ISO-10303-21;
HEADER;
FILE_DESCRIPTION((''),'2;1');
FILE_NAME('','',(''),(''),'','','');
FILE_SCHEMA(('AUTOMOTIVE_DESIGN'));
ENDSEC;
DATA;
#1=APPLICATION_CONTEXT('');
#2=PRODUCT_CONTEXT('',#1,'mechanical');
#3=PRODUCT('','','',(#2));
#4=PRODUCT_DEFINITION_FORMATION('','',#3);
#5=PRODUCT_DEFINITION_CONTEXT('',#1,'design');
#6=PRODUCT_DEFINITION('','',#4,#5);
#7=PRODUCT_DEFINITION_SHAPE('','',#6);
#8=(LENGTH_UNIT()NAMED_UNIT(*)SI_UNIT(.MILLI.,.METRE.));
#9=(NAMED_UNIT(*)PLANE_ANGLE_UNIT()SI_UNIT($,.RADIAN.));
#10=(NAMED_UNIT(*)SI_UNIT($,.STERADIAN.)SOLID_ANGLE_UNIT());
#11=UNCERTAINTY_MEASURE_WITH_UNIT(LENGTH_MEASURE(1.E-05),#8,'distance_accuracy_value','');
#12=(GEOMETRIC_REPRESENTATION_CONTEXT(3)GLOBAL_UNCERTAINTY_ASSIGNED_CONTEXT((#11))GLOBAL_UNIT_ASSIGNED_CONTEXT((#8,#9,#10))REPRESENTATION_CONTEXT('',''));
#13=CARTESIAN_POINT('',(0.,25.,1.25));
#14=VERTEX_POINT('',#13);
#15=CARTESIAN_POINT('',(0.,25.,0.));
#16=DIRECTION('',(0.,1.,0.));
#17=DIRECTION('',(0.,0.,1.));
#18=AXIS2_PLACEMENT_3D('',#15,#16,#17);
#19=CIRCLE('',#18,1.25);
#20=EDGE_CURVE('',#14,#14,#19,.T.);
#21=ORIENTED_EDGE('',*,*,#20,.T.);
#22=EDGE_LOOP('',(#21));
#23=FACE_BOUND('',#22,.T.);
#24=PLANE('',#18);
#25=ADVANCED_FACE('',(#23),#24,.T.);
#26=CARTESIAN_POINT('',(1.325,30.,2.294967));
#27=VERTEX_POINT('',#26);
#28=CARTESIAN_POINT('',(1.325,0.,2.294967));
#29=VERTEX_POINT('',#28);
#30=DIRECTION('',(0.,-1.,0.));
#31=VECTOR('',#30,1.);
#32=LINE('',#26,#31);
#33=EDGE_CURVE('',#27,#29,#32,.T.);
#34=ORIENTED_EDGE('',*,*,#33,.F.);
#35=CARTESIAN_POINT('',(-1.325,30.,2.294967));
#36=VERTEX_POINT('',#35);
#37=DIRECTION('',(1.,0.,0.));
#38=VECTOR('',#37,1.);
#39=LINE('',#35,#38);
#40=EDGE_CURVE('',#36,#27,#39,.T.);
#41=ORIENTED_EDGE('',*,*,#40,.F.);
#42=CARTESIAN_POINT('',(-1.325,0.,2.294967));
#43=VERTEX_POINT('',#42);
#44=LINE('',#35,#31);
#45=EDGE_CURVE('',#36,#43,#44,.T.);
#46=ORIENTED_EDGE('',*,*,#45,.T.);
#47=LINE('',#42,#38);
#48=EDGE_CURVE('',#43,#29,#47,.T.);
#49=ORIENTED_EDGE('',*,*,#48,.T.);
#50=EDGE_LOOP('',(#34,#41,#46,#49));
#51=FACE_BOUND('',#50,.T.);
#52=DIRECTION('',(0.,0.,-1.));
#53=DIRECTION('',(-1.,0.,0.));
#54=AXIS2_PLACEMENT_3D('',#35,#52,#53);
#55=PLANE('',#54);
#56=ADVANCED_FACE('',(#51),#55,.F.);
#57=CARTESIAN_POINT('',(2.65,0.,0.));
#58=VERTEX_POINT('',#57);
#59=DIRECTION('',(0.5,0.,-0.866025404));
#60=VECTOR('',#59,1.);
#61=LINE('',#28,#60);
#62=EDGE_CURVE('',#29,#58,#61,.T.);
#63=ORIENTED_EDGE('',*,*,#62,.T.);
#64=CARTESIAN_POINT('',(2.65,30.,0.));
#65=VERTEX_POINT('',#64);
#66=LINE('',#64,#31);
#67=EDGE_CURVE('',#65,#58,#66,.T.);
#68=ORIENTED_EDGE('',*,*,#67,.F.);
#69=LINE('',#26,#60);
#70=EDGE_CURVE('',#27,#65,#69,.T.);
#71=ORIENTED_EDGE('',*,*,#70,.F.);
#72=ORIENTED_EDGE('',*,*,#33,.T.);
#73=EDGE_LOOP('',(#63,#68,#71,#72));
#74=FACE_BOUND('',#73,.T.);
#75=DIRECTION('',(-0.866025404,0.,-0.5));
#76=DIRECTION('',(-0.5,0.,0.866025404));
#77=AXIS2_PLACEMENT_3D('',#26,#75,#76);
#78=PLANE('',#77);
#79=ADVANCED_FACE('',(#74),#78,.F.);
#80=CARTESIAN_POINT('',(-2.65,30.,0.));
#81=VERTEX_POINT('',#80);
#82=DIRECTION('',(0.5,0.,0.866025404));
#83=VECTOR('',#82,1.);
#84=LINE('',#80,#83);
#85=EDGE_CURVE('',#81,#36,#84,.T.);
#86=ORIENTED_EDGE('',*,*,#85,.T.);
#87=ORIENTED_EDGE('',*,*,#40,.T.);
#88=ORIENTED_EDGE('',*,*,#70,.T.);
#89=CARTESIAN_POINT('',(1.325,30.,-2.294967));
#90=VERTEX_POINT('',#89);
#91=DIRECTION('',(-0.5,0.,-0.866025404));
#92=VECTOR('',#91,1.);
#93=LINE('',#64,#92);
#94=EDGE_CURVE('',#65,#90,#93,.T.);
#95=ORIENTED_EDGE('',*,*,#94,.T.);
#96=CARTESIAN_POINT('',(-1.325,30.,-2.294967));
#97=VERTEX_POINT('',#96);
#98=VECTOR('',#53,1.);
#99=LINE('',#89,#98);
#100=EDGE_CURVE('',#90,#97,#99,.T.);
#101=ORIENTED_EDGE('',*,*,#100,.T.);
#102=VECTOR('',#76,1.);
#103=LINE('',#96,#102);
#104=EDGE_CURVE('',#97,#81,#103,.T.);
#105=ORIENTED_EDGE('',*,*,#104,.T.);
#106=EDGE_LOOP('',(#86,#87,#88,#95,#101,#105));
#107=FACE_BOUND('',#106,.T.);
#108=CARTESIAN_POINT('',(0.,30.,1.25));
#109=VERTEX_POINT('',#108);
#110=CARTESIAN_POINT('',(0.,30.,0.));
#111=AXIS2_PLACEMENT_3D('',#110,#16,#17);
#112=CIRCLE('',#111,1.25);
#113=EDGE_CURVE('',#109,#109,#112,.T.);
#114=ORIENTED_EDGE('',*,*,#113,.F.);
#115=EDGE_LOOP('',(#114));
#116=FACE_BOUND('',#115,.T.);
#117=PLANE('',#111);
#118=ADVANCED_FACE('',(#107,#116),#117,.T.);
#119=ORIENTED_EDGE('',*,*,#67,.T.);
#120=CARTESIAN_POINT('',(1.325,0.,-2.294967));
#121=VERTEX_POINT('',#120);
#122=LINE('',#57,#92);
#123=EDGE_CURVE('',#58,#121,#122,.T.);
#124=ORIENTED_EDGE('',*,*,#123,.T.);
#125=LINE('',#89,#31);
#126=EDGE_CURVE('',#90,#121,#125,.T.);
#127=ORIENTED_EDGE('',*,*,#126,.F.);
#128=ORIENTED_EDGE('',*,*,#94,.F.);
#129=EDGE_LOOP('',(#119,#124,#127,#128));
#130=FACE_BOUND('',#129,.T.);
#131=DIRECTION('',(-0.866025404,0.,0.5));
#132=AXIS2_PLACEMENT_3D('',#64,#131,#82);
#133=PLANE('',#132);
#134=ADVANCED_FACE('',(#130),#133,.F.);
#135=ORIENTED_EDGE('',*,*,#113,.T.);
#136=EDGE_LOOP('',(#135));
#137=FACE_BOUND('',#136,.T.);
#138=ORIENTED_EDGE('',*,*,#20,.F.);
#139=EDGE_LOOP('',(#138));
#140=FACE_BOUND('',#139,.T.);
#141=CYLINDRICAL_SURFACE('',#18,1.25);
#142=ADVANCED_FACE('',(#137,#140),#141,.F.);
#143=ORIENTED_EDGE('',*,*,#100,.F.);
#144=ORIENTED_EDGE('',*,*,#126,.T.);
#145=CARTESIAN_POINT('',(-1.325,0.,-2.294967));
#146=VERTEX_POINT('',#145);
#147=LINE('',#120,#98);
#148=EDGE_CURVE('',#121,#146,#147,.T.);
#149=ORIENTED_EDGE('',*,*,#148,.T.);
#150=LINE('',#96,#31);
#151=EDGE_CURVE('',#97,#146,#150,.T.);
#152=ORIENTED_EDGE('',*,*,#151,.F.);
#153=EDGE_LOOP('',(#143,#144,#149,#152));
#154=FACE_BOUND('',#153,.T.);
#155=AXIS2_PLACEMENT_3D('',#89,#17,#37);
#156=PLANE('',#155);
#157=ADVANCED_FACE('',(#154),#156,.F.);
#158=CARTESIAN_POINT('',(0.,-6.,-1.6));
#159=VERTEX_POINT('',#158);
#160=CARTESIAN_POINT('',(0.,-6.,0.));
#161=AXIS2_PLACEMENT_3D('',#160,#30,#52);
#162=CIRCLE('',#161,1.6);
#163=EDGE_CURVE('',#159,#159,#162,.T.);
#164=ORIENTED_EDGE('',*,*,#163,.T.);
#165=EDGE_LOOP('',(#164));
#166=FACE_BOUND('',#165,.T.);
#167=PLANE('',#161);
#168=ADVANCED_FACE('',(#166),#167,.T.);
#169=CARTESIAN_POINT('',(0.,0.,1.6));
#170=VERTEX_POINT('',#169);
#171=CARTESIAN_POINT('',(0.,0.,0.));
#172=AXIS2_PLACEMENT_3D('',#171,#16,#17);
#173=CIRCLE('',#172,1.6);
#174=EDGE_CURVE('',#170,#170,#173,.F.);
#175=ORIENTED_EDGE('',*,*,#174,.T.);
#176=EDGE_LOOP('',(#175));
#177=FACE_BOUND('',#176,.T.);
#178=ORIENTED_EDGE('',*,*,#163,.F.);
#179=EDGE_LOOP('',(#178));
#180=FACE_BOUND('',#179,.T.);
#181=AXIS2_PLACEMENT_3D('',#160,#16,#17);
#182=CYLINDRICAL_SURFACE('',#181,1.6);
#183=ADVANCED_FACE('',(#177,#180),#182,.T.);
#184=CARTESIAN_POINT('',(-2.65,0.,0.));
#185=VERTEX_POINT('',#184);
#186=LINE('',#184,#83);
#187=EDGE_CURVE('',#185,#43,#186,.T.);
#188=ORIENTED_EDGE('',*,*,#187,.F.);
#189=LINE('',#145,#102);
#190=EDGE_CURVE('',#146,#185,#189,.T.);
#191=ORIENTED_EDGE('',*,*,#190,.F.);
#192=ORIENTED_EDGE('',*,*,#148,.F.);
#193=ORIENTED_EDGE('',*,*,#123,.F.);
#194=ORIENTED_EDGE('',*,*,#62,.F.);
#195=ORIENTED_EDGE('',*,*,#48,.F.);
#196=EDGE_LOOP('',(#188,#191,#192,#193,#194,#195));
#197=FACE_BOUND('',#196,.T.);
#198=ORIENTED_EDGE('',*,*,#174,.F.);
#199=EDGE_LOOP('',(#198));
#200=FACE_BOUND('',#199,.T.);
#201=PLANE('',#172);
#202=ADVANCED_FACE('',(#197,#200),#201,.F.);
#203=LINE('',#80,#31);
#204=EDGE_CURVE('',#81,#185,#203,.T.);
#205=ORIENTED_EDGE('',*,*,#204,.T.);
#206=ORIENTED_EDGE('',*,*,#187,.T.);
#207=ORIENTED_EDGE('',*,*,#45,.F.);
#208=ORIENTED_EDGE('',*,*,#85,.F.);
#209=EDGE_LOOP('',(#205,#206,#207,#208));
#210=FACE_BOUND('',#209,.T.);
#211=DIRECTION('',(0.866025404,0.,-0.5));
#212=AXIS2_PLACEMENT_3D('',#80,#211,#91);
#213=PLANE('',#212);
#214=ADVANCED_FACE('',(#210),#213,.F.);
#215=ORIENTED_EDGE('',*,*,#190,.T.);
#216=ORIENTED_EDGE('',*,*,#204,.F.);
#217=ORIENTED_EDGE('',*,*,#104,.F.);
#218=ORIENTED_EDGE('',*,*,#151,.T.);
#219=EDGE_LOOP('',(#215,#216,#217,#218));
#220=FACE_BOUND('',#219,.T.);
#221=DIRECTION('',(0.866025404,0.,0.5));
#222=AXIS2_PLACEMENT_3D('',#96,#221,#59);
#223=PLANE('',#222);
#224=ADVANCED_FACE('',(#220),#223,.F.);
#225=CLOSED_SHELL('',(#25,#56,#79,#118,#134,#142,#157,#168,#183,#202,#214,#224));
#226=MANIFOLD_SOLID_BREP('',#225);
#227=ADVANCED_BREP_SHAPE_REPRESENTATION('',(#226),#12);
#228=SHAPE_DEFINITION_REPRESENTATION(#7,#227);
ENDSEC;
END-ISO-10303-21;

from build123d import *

# Parameters (mm, degrees)
EXTRUDE_1_DEPTH     = 30
SKETCH_6_R          = 1.6
EXTRUDE_2_DEPTH     = 6
SKETCH_7_R          = 1.25
CUT_EXTRUDE_1_DEPTH = 5


with BuildPart() as part:
    # 草图4 → 凸台-拉伸1 (new body)
    with BuildSketch(Plane(origin=(0, 0, 0), x_dir=(1, 0, 0), z_dir=(0, 1, 0))):
        Polygon((1.325, -2.29496732), (2.65, 0), (1.325, 2.29496732), (-1.325, 2.29496732), (-2.65, 0), (-1.325, -2.29496732), align=None)
    extrude(amount=EXTRUDE_1_DEPTH)

    # 草图6 → 凸台-拉伸2 (add)
    with BuildSketch(Plane(origin=(0, 0, 0), x_dir=(-1, 0, 0), z_dir=(0, -1, 0))):
        with Locations(Location((0, 0, 0), (0, 0, 270))):
            Circle(SKETCH_6_R)
    extrude(amount=EXTRUDE_2_DEPTH)

    # 草图7 → 切除-拉伸1 (cut)
    with BuildSketch(Plane(origin=(0, 30, 0), x_dir=(1, 0, 0), z_dir=(0, 1, 0))):
        with Locations(Location((0, 0, 0), (0, 0, 270))):
            Circle(SKETCH_7_R)
    extrude(amount=-CUT_EXTRUDE_1_DEPTH, mode=Mode.SUBTRACT)


solid = part.part
